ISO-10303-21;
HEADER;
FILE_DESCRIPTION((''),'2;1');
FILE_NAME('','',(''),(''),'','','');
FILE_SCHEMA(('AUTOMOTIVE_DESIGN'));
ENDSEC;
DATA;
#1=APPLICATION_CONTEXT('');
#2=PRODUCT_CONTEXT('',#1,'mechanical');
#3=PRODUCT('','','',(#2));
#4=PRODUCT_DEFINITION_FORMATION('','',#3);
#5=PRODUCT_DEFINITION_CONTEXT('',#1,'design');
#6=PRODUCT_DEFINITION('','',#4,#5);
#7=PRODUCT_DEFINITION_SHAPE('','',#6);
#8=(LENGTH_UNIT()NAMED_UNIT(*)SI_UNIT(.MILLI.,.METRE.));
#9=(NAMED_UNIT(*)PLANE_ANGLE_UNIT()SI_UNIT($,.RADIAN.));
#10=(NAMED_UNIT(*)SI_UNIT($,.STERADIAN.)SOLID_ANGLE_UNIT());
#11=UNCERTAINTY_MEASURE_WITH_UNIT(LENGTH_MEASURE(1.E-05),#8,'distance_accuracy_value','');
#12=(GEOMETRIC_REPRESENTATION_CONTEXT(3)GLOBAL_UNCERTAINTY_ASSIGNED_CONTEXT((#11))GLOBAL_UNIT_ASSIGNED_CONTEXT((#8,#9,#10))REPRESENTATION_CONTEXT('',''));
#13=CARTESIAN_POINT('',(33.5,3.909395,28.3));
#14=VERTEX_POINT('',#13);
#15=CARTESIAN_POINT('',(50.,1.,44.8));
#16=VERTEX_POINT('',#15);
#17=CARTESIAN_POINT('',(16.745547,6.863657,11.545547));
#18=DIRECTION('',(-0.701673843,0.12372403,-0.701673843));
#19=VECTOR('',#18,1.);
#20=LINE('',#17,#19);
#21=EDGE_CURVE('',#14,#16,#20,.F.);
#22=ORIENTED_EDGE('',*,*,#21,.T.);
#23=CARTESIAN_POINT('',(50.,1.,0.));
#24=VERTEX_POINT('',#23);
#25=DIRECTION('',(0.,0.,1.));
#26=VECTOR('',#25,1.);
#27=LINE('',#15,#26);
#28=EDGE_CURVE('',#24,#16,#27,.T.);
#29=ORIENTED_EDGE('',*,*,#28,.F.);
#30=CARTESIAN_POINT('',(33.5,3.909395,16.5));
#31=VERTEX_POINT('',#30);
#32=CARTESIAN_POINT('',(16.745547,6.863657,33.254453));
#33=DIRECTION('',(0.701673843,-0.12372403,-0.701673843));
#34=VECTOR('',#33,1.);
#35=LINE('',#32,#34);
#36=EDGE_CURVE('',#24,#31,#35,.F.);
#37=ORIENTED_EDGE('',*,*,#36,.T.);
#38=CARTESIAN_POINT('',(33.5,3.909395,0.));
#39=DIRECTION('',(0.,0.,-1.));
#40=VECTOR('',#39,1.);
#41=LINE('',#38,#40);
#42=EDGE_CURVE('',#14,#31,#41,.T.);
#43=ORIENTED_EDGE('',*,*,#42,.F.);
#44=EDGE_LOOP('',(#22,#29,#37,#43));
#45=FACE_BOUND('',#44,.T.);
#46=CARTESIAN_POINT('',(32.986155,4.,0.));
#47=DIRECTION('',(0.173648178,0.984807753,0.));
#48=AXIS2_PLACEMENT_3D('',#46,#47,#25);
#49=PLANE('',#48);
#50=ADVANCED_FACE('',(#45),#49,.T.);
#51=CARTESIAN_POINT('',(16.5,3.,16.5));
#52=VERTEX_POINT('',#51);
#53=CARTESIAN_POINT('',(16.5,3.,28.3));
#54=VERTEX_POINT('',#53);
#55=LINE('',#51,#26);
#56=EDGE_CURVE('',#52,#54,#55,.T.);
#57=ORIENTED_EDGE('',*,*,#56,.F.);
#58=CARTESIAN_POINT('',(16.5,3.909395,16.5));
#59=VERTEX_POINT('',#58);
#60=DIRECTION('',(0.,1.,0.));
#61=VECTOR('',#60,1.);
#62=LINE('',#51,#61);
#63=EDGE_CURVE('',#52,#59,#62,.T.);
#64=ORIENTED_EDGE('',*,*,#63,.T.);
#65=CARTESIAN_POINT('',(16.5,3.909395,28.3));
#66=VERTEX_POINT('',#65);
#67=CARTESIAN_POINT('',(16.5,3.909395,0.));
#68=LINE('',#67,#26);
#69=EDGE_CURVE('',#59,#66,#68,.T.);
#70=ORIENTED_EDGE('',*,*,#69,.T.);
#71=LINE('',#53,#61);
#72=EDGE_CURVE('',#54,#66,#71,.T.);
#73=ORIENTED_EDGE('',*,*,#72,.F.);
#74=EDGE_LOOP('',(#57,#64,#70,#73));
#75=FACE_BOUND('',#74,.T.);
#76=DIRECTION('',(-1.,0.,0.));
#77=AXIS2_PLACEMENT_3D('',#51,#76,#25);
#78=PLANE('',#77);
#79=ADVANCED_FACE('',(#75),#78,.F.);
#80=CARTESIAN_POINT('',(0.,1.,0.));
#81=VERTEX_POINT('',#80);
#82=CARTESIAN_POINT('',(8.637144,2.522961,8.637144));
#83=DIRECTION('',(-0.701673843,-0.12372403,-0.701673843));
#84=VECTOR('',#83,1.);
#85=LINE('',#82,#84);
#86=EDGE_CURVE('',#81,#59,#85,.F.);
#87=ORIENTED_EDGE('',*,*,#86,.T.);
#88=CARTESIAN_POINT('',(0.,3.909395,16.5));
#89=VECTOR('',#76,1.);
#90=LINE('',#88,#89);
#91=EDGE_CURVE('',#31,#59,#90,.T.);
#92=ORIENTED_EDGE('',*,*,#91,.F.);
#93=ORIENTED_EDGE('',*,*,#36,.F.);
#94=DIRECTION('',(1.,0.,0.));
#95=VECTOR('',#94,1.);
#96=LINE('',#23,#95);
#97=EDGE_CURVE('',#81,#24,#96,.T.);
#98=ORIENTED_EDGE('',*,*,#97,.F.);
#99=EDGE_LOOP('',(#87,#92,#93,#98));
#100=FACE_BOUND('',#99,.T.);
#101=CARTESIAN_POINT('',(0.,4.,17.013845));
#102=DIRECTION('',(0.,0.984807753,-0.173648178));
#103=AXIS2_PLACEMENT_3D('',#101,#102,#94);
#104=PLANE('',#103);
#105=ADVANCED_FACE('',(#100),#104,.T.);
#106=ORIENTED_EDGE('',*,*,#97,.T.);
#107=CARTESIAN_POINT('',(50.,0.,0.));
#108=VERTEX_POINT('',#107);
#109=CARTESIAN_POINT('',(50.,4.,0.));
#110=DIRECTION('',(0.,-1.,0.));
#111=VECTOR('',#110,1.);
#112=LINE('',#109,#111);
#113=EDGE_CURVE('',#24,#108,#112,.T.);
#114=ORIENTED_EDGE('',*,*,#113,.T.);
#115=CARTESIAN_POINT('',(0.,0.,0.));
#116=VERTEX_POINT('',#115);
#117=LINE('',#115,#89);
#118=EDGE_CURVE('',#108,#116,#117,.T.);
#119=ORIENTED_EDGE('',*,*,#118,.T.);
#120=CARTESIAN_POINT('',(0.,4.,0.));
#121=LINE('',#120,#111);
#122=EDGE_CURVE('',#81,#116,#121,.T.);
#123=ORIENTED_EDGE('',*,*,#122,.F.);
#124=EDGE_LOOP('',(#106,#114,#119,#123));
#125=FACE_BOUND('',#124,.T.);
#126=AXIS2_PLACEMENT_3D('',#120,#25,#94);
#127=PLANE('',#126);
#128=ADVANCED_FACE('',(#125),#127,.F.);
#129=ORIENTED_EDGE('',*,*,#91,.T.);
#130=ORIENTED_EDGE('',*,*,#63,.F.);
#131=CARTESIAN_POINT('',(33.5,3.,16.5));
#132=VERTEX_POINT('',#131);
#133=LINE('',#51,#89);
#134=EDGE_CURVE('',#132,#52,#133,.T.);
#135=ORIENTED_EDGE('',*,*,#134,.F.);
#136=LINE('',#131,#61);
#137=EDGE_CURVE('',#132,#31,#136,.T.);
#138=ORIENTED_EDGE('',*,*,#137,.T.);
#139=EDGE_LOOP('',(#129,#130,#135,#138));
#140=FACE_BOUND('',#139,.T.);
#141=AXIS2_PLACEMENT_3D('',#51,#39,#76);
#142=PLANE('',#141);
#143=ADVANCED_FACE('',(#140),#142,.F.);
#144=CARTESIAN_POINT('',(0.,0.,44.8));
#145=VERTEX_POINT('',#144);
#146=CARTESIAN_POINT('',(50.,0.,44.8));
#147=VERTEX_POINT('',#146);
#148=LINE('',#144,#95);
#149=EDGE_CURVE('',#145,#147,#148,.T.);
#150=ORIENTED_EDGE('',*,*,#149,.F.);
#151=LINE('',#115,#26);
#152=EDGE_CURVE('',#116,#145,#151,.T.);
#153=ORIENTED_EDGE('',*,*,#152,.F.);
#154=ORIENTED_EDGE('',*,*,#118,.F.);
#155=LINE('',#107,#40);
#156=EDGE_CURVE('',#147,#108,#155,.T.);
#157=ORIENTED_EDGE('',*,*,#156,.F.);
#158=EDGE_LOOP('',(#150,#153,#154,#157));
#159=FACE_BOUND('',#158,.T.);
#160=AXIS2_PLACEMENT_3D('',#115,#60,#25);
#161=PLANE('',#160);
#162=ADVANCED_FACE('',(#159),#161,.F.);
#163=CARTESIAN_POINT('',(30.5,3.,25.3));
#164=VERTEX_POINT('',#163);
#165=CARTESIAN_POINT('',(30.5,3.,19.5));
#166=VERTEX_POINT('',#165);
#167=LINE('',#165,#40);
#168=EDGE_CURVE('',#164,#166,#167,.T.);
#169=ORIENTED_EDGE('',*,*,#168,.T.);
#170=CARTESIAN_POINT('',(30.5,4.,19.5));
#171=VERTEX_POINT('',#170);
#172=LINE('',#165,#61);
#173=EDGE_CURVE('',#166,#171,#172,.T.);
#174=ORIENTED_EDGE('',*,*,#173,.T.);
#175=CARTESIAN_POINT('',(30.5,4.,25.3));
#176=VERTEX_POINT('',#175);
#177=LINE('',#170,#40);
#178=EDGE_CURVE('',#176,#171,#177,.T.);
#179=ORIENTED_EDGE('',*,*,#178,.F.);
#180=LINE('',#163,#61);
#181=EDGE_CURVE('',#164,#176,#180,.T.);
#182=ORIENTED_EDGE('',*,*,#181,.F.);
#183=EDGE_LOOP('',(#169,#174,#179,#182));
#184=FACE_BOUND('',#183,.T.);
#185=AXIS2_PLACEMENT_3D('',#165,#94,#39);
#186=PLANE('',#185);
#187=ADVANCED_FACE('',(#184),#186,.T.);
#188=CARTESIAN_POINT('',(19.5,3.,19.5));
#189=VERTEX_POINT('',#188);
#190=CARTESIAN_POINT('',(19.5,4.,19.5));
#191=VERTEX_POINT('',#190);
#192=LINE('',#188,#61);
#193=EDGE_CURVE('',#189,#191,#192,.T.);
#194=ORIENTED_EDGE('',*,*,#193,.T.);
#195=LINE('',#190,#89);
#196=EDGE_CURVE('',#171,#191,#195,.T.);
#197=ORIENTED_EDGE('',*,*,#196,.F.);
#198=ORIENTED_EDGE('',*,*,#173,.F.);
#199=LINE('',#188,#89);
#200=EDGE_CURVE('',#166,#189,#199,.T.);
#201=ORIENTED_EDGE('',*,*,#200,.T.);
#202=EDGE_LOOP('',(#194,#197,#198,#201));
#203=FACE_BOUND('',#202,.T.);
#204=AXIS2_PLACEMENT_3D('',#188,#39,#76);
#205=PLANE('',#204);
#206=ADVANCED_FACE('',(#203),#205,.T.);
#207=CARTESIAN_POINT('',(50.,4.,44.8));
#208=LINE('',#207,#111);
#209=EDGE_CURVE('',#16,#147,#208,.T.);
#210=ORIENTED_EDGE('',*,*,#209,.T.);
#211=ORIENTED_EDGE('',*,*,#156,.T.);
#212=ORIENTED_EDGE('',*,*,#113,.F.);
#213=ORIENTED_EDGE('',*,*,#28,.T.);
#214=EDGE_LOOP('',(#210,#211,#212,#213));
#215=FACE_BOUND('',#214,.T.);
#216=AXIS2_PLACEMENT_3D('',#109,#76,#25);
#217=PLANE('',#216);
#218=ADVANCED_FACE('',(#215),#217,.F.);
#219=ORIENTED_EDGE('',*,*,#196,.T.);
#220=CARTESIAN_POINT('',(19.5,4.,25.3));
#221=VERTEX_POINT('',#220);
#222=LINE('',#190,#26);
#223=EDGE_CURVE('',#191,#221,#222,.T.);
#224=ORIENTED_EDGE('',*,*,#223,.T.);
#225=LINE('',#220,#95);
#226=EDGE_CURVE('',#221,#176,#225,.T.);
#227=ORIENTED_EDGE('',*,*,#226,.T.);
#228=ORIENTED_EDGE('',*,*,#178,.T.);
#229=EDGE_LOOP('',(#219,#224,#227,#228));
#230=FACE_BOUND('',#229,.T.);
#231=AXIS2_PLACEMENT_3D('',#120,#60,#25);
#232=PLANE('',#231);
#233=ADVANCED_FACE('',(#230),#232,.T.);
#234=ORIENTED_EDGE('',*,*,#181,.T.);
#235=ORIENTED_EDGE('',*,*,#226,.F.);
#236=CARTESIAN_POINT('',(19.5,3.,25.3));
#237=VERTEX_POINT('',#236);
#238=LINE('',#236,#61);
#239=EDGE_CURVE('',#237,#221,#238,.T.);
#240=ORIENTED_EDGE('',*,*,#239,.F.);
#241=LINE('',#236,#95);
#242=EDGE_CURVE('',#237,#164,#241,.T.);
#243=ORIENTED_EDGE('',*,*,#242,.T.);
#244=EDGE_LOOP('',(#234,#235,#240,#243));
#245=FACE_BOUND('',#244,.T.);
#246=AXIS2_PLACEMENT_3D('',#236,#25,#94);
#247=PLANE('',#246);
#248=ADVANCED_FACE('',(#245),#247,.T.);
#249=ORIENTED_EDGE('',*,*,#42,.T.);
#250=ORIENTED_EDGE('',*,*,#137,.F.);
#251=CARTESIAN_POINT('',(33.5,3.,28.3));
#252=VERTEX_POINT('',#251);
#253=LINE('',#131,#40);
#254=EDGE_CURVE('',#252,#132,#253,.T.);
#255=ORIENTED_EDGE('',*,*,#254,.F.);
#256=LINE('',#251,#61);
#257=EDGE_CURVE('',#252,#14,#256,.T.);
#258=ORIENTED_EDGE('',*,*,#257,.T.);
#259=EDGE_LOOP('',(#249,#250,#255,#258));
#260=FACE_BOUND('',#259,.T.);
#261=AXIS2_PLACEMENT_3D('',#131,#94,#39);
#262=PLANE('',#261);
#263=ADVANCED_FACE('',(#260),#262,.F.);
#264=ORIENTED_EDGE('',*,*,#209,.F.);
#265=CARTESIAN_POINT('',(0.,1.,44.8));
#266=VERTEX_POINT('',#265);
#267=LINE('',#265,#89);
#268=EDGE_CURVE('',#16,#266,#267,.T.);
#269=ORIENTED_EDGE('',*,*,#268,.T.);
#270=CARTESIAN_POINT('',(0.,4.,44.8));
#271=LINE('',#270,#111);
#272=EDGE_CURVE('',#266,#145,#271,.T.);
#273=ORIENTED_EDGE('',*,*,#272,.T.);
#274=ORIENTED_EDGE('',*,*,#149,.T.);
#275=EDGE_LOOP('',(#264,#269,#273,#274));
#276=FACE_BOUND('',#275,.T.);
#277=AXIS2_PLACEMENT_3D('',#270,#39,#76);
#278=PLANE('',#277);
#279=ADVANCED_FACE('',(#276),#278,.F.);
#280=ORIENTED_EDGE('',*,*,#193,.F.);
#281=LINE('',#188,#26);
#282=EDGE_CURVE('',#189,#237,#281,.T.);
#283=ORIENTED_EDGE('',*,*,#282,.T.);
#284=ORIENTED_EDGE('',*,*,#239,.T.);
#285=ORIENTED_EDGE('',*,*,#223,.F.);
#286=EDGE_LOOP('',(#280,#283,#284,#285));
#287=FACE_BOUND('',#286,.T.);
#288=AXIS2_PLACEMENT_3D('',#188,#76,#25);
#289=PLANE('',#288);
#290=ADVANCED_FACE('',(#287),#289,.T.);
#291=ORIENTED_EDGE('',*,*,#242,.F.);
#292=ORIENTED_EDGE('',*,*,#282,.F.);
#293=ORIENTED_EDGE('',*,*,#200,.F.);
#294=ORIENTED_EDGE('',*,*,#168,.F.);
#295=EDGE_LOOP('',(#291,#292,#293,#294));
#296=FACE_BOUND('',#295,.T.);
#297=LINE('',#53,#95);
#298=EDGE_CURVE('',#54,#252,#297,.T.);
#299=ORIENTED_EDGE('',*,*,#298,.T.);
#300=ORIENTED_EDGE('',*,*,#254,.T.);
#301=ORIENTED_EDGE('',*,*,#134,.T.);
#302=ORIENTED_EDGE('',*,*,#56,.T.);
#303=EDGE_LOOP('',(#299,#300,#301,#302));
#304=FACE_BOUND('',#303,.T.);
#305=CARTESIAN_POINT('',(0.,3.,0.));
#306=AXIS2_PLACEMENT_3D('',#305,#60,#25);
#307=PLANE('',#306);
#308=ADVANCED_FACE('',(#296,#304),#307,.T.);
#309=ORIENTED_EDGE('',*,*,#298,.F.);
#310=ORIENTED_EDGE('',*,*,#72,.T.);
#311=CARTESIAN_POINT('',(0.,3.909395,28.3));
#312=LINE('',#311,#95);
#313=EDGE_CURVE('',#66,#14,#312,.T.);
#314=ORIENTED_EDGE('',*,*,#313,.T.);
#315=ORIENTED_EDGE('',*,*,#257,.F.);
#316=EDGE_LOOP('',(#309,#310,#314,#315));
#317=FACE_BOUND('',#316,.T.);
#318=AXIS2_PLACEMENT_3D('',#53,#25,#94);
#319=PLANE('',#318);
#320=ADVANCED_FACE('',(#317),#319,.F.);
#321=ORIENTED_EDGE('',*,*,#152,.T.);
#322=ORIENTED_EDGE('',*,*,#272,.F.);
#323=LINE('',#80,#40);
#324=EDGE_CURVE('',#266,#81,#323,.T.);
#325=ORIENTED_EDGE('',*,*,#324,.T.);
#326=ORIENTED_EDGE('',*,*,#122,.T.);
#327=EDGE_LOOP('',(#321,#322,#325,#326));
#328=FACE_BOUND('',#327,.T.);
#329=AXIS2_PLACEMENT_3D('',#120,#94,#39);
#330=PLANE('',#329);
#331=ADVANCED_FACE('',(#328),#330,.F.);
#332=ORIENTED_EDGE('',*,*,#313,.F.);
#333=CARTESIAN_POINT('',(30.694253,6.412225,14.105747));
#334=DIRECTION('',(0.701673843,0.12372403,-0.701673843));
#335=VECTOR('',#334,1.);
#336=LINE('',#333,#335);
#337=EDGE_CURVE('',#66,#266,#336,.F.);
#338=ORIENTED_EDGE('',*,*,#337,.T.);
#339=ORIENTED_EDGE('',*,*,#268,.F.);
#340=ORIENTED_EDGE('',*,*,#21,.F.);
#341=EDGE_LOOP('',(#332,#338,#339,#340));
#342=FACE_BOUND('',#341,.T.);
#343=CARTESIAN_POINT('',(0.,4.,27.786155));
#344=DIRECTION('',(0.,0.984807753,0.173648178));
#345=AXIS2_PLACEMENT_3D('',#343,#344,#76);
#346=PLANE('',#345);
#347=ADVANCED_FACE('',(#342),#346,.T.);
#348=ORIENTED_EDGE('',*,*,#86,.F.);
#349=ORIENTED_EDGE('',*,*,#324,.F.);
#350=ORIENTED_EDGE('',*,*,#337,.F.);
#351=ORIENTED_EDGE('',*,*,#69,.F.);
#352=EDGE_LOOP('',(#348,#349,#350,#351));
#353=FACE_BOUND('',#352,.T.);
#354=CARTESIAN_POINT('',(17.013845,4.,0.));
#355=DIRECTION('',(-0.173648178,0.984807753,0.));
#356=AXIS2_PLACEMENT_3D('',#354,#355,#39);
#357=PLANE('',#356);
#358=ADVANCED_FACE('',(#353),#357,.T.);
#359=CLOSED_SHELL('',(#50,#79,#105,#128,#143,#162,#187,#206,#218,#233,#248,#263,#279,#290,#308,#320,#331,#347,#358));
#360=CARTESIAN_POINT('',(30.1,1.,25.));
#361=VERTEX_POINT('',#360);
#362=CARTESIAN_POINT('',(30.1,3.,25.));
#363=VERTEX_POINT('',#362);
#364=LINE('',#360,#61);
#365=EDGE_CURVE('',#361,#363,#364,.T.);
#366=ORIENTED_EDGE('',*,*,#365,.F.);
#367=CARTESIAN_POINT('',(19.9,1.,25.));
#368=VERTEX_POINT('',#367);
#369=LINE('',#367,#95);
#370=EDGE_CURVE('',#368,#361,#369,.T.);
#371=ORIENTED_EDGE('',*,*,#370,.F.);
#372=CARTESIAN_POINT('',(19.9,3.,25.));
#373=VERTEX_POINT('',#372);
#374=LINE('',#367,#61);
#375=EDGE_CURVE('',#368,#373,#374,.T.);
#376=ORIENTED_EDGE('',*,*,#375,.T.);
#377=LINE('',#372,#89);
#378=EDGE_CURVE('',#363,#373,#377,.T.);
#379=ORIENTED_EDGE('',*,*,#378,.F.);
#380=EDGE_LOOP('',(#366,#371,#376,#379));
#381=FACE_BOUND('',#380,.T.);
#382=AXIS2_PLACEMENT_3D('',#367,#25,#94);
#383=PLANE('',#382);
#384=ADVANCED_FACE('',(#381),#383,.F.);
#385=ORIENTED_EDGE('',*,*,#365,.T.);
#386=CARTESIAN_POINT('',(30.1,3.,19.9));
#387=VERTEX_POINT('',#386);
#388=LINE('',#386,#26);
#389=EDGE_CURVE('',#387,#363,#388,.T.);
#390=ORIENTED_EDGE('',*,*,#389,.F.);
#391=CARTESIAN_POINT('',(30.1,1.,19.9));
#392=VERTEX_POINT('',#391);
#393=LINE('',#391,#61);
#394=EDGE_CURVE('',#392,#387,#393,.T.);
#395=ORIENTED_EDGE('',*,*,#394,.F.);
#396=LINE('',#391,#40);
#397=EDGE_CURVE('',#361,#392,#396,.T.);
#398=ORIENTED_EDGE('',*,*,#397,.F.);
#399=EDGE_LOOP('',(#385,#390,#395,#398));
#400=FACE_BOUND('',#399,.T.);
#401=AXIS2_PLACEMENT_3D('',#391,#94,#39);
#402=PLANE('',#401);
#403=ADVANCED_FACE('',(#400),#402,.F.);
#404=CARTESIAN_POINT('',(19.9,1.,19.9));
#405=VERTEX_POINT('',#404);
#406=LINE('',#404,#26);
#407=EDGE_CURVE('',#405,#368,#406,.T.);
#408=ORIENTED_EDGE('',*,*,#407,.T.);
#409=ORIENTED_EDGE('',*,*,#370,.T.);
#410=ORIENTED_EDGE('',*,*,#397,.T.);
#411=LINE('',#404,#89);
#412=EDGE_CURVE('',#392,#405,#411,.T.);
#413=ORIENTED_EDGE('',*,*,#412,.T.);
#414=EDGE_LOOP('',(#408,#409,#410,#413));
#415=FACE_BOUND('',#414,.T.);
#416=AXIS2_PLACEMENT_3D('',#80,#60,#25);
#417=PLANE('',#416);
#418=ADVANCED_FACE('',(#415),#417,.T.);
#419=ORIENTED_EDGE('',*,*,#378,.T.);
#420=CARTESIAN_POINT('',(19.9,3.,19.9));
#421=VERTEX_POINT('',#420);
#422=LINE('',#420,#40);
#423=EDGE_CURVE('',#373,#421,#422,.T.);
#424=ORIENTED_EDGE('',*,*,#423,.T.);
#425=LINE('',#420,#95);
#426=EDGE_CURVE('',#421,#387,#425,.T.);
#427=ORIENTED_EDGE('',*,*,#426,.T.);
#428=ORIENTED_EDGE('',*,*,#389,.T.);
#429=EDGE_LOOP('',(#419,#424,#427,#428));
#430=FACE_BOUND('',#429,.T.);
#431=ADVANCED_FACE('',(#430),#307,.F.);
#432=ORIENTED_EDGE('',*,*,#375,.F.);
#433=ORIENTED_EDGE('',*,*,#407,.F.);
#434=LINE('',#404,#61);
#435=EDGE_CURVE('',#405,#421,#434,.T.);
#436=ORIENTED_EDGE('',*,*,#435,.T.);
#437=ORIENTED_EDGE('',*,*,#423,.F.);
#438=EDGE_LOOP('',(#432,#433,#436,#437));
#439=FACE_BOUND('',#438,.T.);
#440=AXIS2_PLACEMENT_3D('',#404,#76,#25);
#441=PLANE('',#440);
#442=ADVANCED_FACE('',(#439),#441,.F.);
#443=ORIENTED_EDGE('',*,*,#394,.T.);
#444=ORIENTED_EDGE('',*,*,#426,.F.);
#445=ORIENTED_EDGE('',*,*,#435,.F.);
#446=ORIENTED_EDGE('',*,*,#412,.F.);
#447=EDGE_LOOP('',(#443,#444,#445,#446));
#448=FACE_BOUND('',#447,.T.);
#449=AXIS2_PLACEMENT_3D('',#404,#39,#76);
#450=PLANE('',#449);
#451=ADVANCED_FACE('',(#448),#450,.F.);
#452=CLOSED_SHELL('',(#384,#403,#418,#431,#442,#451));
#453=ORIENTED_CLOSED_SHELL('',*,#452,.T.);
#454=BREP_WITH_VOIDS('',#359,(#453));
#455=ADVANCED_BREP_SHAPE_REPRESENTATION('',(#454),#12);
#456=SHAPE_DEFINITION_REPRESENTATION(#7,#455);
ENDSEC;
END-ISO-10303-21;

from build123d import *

# Parameters (mm, degrees)
SKETCH1_W             = 50
SKETCH1_H             = 44.8
BOSS_EXTRUDE1_DEPTH   = 4
CHAMFER1_SIZE         = 3
CHAMFER1_SIZE2        = 17.013845459
CHAMFER1_PART_2_SIZE  = 3
CHAMFER1_PART_2_SIZE2 = 17.013845459
CHAMFER1_PART_3_SIZE  = 3
CHAMFER1_PART_3_SIZE2 = 17.013845459
CHAMFER1_PART_4_SIZE  = 3
CHAMFER1_PART_4_SIZE2 = 17.013845459
SKETCH2_W             = 17
SKETCH2_H             = 11.8
SKETCH2_W_2           = 11
SKETCH2_H_2           = 5.8
CUT_EXTRUDE1_DEPTH    = 1
SKETCH3_W             = 10.2
SKETCH3_H             = 5.1
CUT_EXTRUDE2_DEPTH    = 3
SKETCH5_W             = 11
SKETCH5_H             = 5.8
BOSS_EXTRUDE2_DEPTH   = 1


with BuildPart() as part:
    # Sketch1 → Boss-Extrude1 (new body)
    with BuildSketch(Plane(origin=(0, 0, 0), x_dir=(1, 0, 0), z_dir=(0, 1, 0))):
        with Locations((25, -22.4)):
            Rectangle(SKETCH1_W, SKETCH1_H)
    extrude(amount=BOSS_EXTRUDE1_DEPTH)

    # Chamfer1
    chamfer1_edges = [part.edges().sort_by_distance(p)[0] for p in [
        (50, 4, 22.4),
    ]]
    chamfer1_side = [part.faces().sort_by_distance(p)[0] for p in [
        (50, 2, 22.4),
    ]]
    chamfer(chamfer1_edges, length=CHAMFER1_SIZE, length2=CHAMFER1_SIZE2, reference=chamfer1_side[0])

    # Chamfer1 part 2
    chamfer1_part_2_edges = [part.edges().sort_by_distance(p)[0] for p in [
        (25, 4, 0),
    ]]
    chamfer1_part_2_side = [part.faces().sort_by_distance(p)[0] for p in [
        (25, 2, 0),
    ]]
    chamfer(chamfer1_part_2_edges, length=CHAMFER1_PART_2_SIZE, length2=CHAMFER1_PART_2_SIZE2, reference=chamfer1_part_2_side[0])

    # Chamfer1 part 3
    chamfer1_part_3_edges = [part.edges().sort_by_distance(p)[0] for p in [
        (0, 4, 22.4),
    ]]
    chamfer1_part_3_side = [part.faces().sort_by_distance(p)[0] for p in [
        (0, 2, 22.4),
    ]]
    chamfer(chamfer1_part_3_edges, length=CHAMFER1_PART_3_SIZE, length2=CHAMFER1_PART_3_SIZE2, reference=chamfer1_part_3_side[0])

    # Chamfer1 part 4
    chamfer1_part_4_edges = [part.edges().sort_by_distance(p)[0] for p in [
        (25, 4, 44.8),
    ]]
    chamfer1_part_4_side = [part.faces().sort_by_distance(p)[0] for p in [
        (25, 2, 44.8),
    ]]
    chamfer(chamfer1_part_4_edges, length=CHAMFER1_PART_4_SIZE, length2=CHAMFER1_PART_4_SIZE2, reference=chamfer1_part_4_side[0])

    # Sketch2 → Cut-Extrude1 (cut)
    with BuildSketch(Plane(origin=(0, 4, 0), x_dir=(1, 0, 0), z_dir=(0, 1, 0))):
        with Locations((25, -22.4)):
            Rectangle(SKETCH2_W, SKETCH2_H)
        with Locations((25, -22.4)):
            Rectangle(SKETCH2_W_2, SKETCH2_H_2, mode=Mode.SUBTRACT)
    extrude(amount=-CUT_EXTRUDE1_DEPTH, mode=Mode.SUBTRACT)

    # Sketch3 → Cut-Extrude2 (cut)
    with BuildSketch(Plane(origin=(0, 4, 0), x_dir=(1, 0, 0), z_dir=(0, 1, 0))):
        with Locations((25, -22.45)):
            Rectangle(SKETCH3_W, SKETCH3_H)
    extrude(amount=-CUT_EXTRUDE2_DEPTH, mode=Mode.SUBTRACT)

    # Sketch5 → Boss-Extrude2 (add)
    with BuildSketch(Plane(origin=(0, 4, 0), x_dir=(1, 0, 0), z_dir=(0, 1, 0))):
        with Locations((25, -22.4)):
            Rectangle(SKETCH5_W, SKETCH5_H)
    extrude(amount=-BOSS_EXTRUDE2_DEPTH)


solid = part.part
